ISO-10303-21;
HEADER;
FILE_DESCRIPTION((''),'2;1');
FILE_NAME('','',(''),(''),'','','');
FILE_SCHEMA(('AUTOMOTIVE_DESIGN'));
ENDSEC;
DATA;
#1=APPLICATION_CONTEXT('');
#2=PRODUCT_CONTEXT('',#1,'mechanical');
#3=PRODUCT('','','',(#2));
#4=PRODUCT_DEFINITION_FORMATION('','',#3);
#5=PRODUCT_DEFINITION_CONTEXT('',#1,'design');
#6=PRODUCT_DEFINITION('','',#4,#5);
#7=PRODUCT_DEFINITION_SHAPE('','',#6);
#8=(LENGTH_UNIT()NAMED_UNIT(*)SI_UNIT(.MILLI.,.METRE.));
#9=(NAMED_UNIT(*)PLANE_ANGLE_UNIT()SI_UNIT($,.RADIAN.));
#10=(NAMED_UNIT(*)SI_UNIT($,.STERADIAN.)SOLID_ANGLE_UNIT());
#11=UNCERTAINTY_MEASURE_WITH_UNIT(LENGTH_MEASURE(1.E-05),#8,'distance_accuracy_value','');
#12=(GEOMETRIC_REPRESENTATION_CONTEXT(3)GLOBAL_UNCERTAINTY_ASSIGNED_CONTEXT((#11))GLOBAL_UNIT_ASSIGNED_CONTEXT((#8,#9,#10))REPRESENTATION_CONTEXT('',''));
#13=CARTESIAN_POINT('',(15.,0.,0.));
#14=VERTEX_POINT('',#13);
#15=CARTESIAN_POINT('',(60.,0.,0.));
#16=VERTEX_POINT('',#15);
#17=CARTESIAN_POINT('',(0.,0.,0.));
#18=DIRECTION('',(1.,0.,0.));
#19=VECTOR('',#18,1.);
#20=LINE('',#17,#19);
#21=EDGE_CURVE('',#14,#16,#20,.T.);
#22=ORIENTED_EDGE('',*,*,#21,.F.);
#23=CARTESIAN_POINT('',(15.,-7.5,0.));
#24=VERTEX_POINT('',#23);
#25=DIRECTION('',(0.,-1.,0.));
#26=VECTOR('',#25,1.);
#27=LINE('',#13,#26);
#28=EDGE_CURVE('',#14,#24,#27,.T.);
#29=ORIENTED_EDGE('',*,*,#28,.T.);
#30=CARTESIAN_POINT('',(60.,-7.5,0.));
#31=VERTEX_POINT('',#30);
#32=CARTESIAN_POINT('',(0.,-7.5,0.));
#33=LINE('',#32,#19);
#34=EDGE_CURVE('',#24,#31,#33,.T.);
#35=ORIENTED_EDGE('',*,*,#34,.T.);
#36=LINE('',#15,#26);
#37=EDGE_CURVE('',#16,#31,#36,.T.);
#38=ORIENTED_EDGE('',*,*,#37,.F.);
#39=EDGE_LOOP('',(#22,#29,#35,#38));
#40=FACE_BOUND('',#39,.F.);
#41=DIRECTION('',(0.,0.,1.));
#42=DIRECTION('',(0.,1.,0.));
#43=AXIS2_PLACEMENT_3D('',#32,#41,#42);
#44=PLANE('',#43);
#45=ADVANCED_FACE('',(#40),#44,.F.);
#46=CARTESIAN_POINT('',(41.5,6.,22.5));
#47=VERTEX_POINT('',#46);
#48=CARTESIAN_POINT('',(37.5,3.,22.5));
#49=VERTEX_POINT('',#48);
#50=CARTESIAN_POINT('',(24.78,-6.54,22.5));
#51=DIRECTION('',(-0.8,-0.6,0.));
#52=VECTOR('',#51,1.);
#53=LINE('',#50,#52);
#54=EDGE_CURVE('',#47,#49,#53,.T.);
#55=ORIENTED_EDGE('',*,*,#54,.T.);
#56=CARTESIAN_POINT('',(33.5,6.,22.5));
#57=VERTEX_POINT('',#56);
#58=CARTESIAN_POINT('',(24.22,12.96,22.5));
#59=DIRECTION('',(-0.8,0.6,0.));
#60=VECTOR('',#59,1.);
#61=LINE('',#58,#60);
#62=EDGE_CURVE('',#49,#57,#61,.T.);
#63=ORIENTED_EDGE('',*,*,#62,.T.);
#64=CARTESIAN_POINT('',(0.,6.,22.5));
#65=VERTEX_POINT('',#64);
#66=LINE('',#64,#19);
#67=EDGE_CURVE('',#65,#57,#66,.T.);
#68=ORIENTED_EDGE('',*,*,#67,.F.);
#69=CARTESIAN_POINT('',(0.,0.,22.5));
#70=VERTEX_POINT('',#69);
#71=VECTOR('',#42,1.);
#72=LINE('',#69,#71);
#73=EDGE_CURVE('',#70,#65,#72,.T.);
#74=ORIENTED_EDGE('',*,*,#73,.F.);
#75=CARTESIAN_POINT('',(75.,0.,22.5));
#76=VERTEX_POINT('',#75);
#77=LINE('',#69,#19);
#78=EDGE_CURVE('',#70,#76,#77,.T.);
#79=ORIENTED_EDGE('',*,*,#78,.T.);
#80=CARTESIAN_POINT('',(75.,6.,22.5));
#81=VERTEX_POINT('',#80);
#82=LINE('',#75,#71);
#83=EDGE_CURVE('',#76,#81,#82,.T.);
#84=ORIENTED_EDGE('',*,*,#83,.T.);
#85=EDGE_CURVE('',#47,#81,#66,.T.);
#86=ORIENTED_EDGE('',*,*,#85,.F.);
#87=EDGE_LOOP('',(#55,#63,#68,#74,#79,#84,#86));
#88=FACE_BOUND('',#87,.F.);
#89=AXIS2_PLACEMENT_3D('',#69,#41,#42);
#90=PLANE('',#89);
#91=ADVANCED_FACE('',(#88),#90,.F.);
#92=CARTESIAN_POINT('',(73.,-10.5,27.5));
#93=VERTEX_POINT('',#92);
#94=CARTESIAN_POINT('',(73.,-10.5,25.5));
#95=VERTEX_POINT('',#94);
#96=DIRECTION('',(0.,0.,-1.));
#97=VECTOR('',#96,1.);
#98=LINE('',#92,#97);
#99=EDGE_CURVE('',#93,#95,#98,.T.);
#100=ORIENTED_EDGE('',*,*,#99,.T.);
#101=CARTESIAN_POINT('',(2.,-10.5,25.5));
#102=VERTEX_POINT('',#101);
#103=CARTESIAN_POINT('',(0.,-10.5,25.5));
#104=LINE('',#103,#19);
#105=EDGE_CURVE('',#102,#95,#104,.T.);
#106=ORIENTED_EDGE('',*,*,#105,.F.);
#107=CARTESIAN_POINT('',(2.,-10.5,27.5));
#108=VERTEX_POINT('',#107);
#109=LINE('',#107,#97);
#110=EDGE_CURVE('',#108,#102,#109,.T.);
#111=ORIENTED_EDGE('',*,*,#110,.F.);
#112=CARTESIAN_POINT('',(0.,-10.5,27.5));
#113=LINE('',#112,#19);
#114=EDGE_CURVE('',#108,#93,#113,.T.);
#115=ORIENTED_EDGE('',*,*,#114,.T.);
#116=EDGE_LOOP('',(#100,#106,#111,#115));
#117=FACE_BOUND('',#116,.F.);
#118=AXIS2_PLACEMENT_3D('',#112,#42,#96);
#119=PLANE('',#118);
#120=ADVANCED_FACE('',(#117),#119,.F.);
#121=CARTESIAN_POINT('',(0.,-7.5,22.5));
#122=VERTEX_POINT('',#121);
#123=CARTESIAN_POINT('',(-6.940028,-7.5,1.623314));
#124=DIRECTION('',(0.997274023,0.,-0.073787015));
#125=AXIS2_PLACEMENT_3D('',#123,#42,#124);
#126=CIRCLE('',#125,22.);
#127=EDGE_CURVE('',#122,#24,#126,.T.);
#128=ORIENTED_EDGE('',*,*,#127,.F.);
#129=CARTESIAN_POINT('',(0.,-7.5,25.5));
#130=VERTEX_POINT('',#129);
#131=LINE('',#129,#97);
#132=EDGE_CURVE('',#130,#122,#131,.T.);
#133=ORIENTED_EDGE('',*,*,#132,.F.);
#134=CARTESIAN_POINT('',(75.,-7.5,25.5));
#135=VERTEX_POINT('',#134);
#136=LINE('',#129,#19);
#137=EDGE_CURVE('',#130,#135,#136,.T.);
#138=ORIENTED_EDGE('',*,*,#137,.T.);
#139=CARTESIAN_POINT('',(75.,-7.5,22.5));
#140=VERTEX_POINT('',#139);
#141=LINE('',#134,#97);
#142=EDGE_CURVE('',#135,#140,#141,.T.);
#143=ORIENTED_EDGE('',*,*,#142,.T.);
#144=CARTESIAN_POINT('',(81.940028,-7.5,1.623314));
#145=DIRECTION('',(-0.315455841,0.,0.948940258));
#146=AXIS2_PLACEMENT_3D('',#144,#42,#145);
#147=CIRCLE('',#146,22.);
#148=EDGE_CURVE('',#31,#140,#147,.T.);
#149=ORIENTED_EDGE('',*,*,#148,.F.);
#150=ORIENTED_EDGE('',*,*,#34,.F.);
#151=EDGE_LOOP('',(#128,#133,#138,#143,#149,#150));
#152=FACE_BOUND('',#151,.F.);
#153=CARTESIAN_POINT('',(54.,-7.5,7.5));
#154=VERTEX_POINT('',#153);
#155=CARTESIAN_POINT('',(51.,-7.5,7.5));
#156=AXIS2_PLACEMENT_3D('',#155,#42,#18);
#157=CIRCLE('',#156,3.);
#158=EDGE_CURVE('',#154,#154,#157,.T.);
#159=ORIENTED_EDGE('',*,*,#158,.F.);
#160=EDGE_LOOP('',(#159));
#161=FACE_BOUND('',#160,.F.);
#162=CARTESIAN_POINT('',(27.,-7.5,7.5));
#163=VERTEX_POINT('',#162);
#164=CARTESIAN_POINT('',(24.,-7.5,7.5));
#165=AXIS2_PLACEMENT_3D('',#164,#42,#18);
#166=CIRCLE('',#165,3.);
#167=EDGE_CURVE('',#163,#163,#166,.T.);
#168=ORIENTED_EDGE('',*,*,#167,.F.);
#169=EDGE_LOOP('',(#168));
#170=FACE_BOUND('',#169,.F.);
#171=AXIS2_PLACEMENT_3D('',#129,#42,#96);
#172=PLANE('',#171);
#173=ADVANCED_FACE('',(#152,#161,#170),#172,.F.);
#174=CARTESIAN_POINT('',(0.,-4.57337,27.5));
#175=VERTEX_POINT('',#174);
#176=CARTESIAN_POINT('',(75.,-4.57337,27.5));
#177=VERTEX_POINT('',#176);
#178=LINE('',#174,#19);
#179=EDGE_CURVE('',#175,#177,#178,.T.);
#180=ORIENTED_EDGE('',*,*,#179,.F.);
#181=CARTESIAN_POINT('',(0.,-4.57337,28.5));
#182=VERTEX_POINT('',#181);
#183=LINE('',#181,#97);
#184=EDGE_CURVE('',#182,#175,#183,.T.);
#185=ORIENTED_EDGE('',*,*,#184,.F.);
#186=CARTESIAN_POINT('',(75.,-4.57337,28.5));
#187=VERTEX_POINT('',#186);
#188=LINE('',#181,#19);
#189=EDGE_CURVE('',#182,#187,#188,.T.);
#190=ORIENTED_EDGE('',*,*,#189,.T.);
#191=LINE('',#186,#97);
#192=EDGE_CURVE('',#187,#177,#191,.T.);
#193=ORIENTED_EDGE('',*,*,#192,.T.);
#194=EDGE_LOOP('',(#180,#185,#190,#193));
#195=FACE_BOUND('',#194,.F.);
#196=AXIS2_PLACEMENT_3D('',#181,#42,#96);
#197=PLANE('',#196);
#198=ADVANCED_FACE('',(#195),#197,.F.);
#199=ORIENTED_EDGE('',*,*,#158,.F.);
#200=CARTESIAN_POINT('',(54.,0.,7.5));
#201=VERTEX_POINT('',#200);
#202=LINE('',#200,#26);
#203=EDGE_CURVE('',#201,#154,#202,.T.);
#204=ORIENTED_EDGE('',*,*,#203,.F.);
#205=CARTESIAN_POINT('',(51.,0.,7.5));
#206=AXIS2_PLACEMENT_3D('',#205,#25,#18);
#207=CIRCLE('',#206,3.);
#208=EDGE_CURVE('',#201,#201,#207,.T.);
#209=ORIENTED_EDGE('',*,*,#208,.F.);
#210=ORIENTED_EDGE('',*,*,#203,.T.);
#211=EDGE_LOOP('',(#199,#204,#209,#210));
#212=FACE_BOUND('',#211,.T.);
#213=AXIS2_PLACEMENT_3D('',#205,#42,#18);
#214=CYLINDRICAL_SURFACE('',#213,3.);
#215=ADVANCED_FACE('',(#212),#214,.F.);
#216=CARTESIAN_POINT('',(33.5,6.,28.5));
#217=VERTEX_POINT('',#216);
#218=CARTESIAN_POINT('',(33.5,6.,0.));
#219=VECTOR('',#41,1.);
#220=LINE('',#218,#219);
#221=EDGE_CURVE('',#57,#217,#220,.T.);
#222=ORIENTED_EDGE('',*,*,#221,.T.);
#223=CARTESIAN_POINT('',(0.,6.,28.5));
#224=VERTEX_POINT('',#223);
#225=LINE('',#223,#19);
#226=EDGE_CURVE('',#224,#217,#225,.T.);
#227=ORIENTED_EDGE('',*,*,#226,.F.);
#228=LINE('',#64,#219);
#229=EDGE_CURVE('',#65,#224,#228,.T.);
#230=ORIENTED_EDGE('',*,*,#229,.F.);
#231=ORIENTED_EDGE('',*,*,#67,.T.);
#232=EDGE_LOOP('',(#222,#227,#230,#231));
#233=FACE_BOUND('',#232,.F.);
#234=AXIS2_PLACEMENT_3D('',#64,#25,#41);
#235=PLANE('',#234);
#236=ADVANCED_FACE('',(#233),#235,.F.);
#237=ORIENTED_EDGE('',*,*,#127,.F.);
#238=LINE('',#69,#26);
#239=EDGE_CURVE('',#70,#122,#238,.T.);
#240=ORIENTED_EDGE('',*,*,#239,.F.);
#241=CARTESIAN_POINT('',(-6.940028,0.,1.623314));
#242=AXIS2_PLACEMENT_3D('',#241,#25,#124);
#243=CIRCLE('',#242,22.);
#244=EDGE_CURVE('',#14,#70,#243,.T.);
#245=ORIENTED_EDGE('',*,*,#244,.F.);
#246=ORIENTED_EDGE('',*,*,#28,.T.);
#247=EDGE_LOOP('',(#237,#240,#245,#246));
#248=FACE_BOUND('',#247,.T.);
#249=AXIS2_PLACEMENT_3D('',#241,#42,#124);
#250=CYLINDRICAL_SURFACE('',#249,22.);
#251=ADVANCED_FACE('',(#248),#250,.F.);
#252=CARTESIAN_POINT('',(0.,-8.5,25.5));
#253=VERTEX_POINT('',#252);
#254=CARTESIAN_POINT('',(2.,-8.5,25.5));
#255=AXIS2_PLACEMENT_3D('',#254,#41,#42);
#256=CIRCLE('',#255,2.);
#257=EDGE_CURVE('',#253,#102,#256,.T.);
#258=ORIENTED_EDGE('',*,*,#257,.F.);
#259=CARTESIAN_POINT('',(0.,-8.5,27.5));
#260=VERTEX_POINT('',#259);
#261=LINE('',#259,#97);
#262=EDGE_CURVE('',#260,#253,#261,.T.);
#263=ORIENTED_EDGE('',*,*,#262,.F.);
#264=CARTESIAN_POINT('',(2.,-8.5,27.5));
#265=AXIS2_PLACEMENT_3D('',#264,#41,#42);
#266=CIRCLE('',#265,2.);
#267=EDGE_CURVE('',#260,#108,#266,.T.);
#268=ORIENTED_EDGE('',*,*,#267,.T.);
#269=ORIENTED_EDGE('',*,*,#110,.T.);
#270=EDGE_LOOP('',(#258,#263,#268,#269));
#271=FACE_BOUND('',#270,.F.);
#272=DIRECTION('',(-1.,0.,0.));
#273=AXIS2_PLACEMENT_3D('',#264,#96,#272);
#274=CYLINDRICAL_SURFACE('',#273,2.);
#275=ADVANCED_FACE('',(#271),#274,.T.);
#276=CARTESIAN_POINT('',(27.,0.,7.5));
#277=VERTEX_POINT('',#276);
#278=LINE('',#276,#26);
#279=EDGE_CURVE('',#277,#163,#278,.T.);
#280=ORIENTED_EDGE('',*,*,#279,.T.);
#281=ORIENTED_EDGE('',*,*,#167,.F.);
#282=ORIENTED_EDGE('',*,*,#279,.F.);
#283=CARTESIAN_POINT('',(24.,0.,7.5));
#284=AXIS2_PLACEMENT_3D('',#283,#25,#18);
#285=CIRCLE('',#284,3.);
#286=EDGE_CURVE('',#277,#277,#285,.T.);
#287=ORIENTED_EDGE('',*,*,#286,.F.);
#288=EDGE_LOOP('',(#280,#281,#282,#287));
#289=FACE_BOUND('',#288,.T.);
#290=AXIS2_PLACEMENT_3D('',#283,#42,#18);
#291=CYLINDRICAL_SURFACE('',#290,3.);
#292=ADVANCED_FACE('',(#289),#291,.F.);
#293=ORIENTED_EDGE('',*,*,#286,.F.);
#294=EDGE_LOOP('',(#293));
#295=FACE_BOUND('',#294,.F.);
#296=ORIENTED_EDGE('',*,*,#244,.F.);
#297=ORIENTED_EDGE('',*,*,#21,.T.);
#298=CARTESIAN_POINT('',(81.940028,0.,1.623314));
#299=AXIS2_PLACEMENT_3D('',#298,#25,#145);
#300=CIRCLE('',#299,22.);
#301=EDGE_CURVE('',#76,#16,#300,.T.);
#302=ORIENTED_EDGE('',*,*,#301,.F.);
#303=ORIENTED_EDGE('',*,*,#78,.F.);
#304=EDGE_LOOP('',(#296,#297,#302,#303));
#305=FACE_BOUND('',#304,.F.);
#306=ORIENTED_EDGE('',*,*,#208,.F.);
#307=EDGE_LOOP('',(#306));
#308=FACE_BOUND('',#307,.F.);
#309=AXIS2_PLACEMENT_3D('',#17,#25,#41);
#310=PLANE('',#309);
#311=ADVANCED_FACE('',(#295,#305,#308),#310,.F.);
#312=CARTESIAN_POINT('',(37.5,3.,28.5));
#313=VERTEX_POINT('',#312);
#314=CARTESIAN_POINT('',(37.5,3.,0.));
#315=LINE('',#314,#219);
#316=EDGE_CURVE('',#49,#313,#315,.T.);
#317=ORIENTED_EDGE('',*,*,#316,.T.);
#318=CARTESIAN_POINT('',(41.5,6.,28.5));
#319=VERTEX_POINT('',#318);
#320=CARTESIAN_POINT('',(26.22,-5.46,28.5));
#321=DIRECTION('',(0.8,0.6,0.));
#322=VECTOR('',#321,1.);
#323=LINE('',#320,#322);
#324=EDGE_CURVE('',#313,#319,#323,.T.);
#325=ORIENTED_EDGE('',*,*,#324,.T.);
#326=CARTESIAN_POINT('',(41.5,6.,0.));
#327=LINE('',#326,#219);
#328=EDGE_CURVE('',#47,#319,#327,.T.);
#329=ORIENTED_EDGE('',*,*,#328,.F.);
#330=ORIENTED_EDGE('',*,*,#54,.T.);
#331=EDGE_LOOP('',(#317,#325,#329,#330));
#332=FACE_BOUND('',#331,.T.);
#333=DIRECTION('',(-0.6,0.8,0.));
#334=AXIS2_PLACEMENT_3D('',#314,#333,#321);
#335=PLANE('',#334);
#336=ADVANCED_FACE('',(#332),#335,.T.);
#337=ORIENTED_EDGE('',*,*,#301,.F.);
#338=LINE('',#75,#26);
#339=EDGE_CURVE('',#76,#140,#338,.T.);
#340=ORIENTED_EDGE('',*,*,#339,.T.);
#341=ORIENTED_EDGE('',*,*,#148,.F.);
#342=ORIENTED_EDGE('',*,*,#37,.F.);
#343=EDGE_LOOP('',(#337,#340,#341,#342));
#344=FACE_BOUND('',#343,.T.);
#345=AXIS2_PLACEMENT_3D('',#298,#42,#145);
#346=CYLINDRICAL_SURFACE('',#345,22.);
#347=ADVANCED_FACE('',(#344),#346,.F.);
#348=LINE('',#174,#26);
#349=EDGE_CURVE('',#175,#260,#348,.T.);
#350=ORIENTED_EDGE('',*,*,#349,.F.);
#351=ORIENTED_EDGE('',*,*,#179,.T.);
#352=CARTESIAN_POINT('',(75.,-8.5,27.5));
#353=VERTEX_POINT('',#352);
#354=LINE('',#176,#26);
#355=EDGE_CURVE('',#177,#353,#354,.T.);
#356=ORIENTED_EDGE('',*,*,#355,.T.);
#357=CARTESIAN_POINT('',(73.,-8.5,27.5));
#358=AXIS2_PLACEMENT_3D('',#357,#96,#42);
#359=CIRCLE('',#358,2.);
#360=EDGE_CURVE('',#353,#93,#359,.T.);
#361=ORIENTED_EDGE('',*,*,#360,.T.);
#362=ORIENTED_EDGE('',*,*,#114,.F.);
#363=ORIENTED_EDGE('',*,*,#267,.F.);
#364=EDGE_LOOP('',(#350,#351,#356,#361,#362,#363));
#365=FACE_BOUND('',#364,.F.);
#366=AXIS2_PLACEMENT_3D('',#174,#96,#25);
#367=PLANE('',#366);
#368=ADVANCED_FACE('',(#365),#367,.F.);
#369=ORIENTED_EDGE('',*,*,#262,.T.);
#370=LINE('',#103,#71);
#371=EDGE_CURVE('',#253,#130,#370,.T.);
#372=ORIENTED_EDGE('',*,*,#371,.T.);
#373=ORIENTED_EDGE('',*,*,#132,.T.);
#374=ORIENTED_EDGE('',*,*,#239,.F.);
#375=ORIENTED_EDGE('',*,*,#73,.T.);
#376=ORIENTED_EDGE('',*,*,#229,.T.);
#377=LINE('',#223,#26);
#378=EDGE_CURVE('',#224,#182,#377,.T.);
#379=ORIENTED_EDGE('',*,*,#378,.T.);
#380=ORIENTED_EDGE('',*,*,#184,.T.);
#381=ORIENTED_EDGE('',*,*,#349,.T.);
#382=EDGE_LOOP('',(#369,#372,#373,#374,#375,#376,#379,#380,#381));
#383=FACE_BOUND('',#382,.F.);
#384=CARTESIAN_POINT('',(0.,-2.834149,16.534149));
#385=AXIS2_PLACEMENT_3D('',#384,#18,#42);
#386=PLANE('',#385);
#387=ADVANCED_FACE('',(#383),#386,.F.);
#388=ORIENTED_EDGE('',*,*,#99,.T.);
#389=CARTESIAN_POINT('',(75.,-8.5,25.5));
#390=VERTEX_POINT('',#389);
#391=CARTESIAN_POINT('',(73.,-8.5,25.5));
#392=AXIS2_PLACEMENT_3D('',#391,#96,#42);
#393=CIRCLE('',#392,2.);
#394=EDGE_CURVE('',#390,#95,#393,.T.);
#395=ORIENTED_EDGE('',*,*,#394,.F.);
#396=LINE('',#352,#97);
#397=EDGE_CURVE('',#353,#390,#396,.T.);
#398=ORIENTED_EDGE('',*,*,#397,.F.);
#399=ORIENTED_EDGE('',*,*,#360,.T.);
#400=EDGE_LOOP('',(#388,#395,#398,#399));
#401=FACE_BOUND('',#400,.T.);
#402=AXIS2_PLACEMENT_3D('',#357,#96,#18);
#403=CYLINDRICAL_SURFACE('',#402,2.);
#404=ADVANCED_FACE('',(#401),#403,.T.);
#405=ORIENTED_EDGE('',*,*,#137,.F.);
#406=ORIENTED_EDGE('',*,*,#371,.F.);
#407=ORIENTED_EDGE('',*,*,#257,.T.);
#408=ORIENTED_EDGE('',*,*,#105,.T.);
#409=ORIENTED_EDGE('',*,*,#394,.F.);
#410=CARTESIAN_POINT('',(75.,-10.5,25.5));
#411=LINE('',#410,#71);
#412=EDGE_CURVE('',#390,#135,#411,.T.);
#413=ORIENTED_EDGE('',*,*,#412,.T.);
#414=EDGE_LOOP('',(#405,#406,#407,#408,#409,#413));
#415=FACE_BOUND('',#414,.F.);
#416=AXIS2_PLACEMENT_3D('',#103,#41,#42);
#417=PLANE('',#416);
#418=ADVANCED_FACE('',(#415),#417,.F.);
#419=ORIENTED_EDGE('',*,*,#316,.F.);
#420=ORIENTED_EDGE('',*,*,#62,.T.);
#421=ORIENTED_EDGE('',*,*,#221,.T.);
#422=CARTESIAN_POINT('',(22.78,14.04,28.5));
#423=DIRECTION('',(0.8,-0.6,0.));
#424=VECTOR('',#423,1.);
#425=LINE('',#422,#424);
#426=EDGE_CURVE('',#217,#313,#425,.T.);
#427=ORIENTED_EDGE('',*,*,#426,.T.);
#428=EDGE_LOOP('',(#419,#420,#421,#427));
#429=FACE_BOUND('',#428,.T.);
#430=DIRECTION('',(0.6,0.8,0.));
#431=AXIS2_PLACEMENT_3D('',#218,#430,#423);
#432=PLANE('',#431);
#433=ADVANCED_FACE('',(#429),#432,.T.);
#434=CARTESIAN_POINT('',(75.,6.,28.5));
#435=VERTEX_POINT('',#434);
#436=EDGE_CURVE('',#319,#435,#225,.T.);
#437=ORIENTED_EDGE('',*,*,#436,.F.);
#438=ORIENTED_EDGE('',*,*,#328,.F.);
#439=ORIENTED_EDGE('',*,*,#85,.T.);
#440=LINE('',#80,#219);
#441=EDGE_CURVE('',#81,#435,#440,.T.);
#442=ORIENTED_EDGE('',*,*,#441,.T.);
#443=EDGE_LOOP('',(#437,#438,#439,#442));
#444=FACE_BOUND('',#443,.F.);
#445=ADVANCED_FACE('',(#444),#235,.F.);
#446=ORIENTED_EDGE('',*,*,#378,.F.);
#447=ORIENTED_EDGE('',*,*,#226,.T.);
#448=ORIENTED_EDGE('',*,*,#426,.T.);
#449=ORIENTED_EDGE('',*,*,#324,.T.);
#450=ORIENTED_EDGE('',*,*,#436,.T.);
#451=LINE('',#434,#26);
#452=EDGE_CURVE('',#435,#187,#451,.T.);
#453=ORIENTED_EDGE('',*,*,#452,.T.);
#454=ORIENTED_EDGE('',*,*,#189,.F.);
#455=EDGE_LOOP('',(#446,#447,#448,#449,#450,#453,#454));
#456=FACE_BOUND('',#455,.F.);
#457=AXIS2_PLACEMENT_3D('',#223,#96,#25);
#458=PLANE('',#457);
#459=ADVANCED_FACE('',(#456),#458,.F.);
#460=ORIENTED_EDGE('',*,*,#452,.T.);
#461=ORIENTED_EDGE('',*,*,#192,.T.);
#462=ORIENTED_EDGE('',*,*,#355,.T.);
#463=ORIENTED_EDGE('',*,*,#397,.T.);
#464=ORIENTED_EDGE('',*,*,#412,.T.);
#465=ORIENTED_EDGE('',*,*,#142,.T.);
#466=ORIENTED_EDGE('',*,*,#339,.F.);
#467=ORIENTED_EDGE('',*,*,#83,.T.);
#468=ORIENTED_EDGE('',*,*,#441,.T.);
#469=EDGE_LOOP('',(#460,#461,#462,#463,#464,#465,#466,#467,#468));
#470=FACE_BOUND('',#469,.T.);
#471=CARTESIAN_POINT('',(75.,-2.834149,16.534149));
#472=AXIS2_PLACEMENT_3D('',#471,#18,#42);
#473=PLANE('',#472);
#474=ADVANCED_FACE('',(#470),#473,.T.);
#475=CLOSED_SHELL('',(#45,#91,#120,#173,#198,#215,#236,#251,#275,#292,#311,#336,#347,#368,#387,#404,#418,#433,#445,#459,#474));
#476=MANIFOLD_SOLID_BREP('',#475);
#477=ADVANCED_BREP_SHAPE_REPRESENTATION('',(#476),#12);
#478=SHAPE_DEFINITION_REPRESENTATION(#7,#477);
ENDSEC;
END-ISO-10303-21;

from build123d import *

# Parameters (mm, degrees)
F1_DEPTH      = 75
F4_DEPTH      = 25
F4_DEPTH_BACK = 25
F5_R          = 3
F6_DEPTH      = 25
F6_DEPTH_BACK = 25
F7_R          = 2
F9_DEPTH      = 50


with BuildPart() as f1:
    # F0 (on Right) → F1 (new body)
    with BuildSketch(Plane.YZ):
        Polygon((-7.5, 0), (0, 0), (0, 22.5), (6, 22.5), (6, 28.5), (-4.5733697172, 28.5), (-4.5733697172, 27.5), (-10.5, 27.5), (-10.5, 25.5), (-7.5, 25.5), align=None)
    extrude(amount=F1_DEPTH)

    # F2 (on Front) → F4 (cut, two sides)
    with BuildSketch(Plane.XZ) as f4_sk:
        with BuildLine():
            Line((18.9505368471, -15.0200538337), (15, 0))
            ThreePointArc((15, 0), (11.3650779756, 13.8267186504), (0, 22.5))
            Line((0, 22.5), (-15.862300992, 22.5))
            Line((-15.862300992, 22.5), (-15.862300992, -15.0200538337))
            Line((-15.862300992, -15.0200538337), (18.9505368471, -15.0200538337))
        make_face()
        with BuildLine():
            Line((90.862300992, 22.5), (75, 22.5))
            ThreePointArc((75, 22.5), (63.6349220244, 13.8267186504), (60, 0))
            Line((60, 0), (56.0494631529, -15.0200538337))
            Line((56.0494631529, -15.0200538337), (90.862300992, -15.0200538337))
            Line((90.862300992, -15.0200538337), (90.862300992, 22.5))
        make_face()
    extrude(amount=-F4_DEPTH, mode=Mode.SUBTRACT)
    extrude(f4_sk.sketch, amount=F4_DEPTH_BACK, mode=Mode.SUBTRACT)

    # F5 (on Front) → F6 (cut, two sides)
    with BuildSketch(Plane.XZ) as f6_sk:
        with Locations((24, 7.5)):
            Circle(F5_R)
        with Locations((51, 7.5)):
            Circle(F5_R)
    extrude(amount=F6_DEPTH, mode=Mode.SUBTRACT)
    extrude(f6_sk.sketch, amount=-F6_DEPTH_BACK, mode=Mode.SUBTRACT)

    # F7
    f7_edges = [f1.edges().sort_by_distance(p)[0] for p in [
        (75, -10.5, 26.5),
        (0, -10.5, 26.5),
    ]]
    fillet(f7_edges, radius=F7_R)

    # F8 (on Top) → F9 (cut)
    with BuildSketch(Plane.XY):
        Polygon((32.4930176139, 11.9444662705), (33.5, 6), (37.5, 3), (41.5, 6), (50.5435075659, 15.0021882955), align=None)
    extrude(amount=F9_DEPTH, mode=Mode.SUBTRACT)


solid = f1.part
